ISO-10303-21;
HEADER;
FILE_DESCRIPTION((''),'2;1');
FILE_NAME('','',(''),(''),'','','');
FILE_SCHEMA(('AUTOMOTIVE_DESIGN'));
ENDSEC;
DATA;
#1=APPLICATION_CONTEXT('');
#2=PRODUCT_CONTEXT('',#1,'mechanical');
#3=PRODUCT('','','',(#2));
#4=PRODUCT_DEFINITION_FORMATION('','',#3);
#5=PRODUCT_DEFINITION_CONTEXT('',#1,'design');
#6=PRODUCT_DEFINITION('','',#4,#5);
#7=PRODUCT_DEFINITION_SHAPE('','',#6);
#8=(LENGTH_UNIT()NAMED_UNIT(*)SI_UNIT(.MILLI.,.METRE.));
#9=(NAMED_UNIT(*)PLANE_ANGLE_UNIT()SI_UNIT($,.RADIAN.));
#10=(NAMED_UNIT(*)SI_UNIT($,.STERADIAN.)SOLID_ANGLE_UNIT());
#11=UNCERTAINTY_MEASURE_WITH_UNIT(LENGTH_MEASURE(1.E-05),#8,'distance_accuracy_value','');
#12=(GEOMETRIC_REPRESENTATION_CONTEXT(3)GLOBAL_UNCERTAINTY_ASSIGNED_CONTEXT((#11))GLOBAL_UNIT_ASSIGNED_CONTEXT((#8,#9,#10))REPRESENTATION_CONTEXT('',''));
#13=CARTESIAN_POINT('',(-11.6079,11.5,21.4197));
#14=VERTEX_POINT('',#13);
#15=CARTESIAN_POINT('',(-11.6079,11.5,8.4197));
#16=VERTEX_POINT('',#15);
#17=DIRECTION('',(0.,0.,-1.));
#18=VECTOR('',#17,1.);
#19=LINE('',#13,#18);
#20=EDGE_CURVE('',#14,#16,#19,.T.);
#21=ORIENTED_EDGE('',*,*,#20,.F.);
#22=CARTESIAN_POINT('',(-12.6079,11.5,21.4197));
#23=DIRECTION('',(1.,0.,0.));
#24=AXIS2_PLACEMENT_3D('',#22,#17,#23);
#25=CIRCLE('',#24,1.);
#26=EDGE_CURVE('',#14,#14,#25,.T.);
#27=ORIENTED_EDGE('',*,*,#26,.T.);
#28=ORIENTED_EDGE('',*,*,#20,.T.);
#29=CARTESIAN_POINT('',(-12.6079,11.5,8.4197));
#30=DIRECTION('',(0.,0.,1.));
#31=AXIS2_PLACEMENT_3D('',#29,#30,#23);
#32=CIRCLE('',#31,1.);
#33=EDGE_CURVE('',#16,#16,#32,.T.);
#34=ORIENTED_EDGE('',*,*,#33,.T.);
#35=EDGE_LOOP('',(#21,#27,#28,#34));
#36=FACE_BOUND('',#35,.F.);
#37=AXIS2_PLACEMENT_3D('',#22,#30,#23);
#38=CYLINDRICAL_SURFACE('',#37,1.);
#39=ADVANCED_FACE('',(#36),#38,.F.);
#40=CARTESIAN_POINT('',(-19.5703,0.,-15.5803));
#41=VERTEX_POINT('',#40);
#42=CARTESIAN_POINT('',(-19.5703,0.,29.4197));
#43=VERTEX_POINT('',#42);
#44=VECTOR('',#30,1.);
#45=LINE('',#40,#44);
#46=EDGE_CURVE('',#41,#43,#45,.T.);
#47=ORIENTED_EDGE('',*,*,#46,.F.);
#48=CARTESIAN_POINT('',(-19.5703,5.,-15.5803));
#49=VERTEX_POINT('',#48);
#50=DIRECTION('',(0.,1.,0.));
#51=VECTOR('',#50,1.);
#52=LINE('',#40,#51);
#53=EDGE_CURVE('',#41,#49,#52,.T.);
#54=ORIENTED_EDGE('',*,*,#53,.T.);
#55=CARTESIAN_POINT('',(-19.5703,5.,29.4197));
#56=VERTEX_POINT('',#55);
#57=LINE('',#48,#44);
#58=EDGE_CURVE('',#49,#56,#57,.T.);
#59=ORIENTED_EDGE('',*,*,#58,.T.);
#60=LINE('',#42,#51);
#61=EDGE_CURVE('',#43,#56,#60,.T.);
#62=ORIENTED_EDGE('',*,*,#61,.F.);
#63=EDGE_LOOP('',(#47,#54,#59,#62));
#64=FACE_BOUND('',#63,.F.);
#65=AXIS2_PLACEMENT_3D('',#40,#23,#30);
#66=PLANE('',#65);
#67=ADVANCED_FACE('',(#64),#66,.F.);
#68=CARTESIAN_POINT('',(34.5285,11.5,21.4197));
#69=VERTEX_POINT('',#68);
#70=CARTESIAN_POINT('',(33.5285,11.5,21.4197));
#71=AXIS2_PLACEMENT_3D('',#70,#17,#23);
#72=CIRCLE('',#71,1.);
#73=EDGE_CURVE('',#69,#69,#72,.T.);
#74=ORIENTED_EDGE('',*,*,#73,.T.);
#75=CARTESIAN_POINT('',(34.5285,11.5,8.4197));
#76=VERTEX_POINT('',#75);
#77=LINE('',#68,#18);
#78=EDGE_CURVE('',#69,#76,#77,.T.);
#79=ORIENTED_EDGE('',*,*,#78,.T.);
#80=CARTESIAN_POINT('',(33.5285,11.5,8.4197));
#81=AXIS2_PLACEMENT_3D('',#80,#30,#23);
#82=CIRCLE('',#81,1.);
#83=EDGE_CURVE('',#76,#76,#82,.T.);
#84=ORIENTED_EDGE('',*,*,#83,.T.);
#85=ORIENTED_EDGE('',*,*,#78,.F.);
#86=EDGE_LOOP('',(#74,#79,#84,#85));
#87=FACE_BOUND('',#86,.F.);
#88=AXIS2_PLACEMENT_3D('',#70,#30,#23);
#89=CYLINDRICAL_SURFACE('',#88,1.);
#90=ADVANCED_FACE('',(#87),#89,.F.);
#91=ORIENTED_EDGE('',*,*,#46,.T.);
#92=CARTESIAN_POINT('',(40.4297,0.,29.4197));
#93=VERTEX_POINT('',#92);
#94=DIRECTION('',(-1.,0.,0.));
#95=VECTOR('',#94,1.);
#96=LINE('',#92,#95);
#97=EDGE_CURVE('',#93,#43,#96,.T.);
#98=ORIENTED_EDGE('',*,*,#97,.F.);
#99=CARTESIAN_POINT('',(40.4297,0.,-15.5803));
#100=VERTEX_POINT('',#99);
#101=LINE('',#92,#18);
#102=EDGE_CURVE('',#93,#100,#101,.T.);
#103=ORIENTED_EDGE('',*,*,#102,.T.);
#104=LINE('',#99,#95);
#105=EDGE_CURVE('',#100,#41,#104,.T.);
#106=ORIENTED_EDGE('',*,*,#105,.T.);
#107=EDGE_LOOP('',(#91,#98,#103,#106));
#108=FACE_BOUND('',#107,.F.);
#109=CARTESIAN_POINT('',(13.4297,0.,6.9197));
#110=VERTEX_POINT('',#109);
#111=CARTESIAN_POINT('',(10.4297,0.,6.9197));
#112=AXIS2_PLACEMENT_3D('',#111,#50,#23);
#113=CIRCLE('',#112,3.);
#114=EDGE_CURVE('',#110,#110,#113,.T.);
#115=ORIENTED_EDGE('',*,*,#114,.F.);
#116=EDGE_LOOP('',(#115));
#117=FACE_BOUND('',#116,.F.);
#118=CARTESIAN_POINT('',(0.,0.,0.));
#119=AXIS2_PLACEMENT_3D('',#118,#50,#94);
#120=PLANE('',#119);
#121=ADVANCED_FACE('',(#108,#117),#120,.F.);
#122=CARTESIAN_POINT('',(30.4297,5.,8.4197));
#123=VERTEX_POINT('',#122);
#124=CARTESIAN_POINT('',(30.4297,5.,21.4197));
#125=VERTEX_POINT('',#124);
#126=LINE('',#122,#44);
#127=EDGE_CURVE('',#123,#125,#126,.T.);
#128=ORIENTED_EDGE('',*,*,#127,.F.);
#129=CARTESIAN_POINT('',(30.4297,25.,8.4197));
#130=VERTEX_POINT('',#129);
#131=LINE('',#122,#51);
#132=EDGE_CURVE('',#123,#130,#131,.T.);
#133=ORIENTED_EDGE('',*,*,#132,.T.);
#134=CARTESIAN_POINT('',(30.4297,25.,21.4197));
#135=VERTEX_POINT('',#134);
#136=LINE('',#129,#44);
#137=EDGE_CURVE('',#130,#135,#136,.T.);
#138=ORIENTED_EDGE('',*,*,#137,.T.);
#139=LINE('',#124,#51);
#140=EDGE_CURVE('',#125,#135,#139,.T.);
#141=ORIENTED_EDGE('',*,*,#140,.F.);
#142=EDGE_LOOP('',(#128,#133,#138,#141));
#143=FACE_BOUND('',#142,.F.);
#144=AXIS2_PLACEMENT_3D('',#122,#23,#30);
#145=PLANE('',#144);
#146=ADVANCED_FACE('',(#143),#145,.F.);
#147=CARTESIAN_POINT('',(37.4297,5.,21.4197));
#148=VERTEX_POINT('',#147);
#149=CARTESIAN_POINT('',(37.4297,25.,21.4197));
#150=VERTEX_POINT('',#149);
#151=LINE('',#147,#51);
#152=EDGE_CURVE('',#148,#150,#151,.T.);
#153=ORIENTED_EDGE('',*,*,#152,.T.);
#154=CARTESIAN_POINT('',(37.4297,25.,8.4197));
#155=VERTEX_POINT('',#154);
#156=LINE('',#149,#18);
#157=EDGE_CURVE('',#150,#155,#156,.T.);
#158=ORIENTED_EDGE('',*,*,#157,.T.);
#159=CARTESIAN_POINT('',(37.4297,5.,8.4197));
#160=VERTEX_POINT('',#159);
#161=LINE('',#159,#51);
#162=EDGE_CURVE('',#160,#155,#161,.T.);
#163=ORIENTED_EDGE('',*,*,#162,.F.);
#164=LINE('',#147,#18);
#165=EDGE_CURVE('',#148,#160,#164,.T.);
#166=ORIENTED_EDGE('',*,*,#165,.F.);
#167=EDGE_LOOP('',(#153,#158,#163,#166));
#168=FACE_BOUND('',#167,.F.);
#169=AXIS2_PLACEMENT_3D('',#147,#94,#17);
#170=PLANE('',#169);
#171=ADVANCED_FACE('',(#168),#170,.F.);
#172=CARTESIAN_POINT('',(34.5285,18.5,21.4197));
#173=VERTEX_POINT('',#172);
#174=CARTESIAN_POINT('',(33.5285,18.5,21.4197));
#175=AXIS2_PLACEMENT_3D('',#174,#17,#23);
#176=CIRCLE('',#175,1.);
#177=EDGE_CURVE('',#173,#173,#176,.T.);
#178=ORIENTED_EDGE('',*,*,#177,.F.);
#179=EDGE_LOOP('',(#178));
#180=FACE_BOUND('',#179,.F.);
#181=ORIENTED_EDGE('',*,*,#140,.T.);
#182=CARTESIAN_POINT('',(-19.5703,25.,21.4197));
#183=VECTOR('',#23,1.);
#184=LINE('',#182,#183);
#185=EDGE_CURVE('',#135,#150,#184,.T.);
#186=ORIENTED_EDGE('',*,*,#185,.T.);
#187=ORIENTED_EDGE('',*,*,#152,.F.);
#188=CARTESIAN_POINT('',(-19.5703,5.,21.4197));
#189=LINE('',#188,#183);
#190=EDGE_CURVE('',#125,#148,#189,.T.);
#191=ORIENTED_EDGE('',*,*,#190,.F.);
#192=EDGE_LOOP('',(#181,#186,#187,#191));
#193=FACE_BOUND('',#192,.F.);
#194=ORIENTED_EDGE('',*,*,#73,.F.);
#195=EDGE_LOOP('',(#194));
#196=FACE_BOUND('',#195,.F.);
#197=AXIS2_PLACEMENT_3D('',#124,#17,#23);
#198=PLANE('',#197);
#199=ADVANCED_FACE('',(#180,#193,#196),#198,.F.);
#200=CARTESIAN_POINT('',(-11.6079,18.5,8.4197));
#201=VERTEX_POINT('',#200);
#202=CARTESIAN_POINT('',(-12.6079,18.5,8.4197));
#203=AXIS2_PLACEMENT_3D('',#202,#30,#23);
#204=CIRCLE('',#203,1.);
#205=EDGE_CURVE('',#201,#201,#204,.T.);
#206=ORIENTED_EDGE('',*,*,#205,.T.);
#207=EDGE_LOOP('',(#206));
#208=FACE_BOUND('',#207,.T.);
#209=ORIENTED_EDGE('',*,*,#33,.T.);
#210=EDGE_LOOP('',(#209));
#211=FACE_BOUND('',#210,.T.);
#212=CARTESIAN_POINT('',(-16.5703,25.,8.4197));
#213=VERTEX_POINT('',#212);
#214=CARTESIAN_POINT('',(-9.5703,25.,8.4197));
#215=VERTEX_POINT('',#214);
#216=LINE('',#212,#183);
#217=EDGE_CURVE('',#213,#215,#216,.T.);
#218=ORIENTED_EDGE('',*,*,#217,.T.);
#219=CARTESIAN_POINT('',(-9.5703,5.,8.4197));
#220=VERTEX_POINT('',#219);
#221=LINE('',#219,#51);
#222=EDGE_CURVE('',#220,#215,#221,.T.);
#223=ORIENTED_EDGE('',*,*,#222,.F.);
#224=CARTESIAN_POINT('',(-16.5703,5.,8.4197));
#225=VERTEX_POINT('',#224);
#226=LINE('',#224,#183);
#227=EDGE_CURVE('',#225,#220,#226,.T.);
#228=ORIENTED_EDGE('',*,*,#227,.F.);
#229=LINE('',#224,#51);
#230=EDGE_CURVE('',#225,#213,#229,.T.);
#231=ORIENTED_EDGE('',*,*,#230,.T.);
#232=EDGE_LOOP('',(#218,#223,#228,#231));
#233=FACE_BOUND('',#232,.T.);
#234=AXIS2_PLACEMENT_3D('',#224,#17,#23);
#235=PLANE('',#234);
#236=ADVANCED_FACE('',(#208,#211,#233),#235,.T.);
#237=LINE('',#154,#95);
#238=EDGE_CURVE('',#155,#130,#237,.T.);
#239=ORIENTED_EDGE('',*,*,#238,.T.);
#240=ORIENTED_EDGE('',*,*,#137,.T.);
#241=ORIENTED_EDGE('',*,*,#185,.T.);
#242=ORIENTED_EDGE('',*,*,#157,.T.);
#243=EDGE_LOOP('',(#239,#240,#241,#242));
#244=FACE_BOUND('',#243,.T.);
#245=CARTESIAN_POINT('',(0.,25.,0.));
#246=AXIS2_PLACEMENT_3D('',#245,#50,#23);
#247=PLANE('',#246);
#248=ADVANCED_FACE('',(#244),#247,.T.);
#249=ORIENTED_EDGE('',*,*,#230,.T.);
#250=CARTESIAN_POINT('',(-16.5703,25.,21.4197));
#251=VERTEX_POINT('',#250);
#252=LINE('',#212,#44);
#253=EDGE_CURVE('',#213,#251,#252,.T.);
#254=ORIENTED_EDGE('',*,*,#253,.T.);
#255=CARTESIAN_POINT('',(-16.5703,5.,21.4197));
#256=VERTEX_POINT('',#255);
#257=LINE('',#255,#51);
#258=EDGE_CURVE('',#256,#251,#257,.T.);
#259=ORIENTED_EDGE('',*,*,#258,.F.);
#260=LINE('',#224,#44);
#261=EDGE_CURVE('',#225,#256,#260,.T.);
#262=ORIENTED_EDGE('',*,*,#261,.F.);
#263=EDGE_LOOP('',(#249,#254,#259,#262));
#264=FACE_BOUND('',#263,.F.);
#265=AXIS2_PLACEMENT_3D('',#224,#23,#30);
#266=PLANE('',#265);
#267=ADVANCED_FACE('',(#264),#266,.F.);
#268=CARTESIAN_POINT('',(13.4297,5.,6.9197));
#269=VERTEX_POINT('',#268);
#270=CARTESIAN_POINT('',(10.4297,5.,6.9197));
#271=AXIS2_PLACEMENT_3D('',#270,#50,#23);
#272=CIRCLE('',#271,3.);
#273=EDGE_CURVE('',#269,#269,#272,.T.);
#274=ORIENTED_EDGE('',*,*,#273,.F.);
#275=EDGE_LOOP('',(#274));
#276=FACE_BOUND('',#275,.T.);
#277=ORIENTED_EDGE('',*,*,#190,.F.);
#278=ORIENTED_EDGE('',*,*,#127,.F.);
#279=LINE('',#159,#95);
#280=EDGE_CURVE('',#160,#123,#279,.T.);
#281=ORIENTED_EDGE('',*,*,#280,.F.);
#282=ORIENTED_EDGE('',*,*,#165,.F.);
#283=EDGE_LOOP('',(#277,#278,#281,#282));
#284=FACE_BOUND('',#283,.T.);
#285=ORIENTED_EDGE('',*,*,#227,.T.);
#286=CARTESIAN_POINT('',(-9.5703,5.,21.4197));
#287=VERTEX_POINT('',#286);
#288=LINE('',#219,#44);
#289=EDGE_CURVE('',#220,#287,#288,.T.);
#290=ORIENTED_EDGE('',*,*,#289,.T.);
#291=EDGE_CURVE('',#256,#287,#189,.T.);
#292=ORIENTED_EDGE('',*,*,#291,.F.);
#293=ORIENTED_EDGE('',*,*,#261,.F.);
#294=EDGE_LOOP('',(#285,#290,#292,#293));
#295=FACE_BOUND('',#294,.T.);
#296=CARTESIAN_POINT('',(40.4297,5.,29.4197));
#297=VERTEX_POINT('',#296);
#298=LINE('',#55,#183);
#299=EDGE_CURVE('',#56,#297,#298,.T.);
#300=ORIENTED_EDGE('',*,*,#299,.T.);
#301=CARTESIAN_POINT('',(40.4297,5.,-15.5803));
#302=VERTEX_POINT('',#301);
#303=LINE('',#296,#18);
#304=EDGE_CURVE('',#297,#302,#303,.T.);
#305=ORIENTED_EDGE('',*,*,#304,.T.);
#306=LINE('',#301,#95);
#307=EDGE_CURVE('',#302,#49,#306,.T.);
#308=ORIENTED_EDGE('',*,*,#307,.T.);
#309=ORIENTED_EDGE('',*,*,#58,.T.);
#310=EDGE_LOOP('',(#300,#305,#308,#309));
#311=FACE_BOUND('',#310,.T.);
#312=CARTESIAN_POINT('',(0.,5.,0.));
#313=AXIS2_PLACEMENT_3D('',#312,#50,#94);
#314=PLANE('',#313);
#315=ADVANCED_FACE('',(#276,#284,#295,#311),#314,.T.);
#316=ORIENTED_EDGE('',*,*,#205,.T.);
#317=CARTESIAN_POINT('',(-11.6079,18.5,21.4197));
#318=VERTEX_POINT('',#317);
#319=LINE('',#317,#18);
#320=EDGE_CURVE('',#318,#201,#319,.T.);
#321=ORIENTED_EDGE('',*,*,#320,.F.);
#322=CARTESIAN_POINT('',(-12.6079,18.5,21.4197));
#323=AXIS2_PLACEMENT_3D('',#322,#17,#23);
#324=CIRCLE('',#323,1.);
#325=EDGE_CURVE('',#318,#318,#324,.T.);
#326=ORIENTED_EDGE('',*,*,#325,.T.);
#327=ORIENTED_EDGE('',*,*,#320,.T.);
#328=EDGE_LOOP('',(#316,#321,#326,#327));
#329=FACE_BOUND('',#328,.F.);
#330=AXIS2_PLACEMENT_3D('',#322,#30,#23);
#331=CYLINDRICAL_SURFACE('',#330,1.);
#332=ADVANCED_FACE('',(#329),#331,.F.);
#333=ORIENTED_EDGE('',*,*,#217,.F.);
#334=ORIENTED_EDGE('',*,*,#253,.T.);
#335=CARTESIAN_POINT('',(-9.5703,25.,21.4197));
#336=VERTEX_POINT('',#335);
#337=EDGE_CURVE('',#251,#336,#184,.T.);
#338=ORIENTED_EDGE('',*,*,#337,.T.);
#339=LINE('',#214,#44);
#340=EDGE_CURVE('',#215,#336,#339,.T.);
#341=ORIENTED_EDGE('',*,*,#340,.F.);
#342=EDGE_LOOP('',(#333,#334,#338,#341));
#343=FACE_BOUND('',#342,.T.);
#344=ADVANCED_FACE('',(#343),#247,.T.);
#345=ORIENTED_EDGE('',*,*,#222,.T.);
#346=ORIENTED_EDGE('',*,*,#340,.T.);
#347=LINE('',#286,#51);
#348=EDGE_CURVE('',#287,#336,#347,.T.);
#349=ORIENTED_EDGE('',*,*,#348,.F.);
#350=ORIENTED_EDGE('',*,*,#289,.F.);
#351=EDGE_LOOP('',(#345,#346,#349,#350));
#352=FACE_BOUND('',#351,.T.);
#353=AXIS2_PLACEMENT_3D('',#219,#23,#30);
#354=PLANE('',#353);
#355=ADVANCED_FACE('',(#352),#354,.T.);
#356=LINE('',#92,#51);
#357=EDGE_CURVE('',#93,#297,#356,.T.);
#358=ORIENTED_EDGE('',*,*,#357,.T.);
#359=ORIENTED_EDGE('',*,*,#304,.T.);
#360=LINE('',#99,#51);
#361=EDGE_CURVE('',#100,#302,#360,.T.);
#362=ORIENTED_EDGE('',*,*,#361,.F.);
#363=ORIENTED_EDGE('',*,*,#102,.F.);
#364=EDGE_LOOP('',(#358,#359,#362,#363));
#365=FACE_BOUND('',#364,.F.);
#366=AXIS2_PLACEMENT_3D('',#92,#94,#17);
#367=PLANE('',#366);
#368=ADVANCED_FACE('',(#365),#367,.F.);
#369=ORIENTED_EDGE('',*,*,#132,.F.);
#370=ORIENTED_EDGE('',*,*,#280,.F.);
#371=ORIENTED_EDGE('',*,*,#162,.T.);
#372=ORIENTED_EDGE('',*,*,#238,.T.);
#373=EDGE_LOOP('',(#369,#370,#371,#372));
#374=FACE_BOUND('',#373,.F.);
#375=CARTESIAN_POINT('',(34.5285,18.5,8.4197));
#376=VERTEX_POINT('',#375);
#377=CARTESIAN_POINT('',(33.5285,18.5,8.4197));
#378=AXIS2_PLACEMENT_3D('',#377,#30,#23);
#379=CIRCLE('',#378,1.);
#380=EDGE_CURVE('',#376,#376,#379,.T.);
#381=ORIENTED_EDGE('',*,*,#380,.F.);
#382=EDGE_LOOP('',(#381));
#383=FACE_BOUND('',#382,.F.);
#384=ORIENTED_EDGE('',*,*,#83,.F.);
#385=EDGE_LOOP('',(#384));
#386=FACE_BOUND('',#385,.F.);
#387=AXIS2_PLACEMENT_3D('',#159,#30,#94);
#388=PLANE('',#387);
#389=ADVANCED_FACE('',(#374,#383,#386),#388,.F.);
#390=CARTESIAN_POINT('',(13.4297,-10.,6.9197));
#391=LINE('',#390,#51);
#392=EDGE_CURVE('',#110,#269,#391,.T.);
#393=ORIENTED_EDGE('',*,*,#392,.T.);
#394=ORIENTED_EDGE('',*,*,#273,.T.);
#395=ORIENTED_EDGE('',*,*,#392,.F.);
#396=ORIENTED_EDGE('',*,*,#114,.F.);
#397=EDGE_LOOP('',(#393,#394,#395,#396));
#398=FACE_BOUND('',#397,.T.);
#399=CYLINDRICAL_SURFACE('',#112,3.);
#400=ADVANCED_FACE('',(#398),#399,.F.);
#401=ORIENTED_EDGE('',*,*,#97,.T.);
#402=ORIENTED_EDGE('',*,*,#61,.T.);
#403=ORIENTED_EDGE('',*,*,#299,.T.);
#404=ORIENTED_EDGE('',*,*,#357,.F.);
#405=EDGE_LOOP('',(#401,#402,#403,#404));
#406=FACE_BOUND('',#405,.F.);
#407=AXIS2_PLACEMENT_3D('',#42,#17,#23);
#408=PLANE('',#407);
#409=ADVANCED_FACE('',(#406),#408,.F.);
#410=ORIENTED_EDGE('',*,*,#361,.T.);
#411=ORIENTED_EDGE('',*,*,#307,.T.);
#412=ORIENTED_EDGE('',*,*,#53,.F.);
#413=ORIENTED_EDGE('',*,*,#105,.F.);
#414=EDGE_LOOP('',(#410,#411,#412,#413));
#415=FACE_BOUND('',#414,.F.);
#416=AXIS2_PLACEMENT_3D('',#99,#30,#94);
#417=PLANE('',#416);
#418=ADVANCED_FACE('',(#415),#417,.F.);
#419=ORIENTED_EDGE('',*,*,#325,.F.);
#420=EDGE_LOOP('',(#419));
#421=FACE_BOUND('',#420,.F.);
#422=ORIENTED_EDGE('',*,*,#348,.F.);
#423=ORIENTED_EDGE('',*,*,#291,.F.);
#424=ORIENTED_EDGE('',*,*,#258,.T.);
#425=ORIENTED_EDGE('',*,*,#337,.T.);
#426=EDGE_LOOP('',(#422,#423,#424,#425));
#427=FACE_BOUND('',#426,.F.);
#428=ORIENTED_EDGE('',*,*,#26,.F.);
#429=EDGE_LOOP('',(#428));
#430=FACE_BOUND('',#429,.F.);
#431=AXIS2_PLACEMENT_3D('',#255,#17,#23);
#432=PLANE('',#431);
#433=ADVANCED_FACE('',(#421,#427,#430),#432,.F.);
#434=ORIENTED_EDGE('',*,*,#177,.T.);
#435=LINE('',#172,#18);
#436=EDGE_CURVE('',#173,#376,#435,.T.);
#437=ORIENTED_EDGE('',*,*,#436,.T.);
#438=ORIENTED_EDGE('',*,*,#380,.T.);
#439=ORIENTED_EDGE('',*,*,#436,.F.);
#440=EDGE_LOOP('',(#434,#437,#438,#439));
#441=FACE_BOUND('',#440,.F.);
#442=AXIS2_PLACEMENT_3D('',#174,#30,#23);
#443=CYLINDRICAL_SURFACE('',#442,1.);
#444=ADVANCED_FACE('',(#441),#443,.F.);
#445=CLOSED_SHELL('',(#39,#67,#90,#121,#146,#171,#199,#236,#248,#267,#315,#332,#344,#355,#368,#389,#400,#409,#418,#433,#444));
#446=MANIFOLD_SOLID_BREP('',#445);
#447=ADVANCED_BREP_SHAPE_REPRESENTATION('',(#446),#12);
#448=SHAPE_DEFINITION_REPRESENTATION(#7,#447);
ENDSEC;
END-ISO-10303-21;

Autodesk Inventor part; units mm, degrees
ref_plane "YZ Plane" through (0, 0, 0) normal (1, 0, 0) x (0, 1, 0)
ref_plane "XZ Plane" through (0, 0, 0) normal (0, 1, 0) x (-1, 0, 0)
ref_plane "XY Plane" through (0, 0, 0) normal (0, 0, 1) x (1, 0, 0)
sketch "Sketch1" plane through (0, 0, 0) normal (0, 1, 0) x (-1, 0, 0)
  line L0 (19.5703, 29.4197) -> (-40.4297, 29.4197)
  line L1 (-40.4297, 29.4197) -> (-40.4297, -15.5803)
  line L2 (-40.4297, -15.5803) -> (19.5703, -15.5803)
  line L3 (19.5703, -15.5803) -> (19.5703, 29.4197)
  point P0 (0, 0)
  dimension "d2" = 60
  dimension "d3" = 45
extrude "Extrusion1" add sketch "Sketch1" along normal blind 5
sketch "Sketch2" plane through (0, 5, 0) normal (0, 1, 0) x (1, 0, 0)
  line L0 (-19.5703, 15.5803) -> (-19.5703, -29.4197) projected
  line L1 (40.4297, -29.4197) -> (40.4297, 15.5803) projected
  line L2 (-19.5703, -29.4197) -> (40.4297, -29.4197) projected
  line L3 (40.4297, 15.5803) -> (-19.5703, 15.5803) projected
  circle A0 centre (10.4297, -6.9197) radius 3
  point P0 (0, 0)
  point P1 (13.4635, -6.9197)
extrude "Extrusion2" cut sketch "Sketch2" against normal up to next contours A0
sketch "Sketch3" plane through (0, 0, 0) normal (0, -1, 0) x (1, 0, 0)
  circle A0 centre (10.4297, 6.9197) radius 3 projected
  circle A1 centre (10.4297, 6.9197) radius 5
  point P0 (0, 0)
  dimension "d9" = 10
extrude "Extrusion3" add sketch "Sketch3" along normal blind 10
sketch "Sketch6" plane through (0, 5, 0) normal (0, 1, 0) x (1, 0, 0)
  line L0 (-19.5703, -29.4197) -> (40.4297, -29.4197) projected
  line L1 (-19.5703, -29.4197) -> (-19.5703, -21.4197)
  line L2 (-19.5703, 15.5803) -> (-19.5703, -29.4197) projected
  line L3 (-19.5703, -21.4197) -> (40.4297, -21.4197)
  line L4 (40.4297, -29.4197) -> (40.4297, 15.5803) projected
  line L5 (10.4297, -29.4197) -> (10.4297, 15.5803)
  line L6 (40.4297, 15.5803) -> (-19.5703, 15.5803) projected
  line L7 (10.4297, -21.4197) -> (37.4297, -21.4197)
  line L8 (10.4297, -21.4197) -> (-16.5703, -21.4197)
  line L9 (-16.5703, -8.4197) -> (-9.5703, -8.4197)
  line L10 (37.4297, -21.4197) -> (37.4297, -8.4197)
  line L11 (37.4297, -8.4197) -> (30.4297, -8.4197)
  line L12 (30.4297, -8.4197) -> (30.4297, -21.4197)
  line L13 (-9.5703, -8.4197) -> (-9.5703, -21.4197)
  line L14 (-16.5703, -8.4197) -> (-16.5703, -21.4197)
  point P0 (0, 0)
  dimension "d22" = 8
  dimension "d23" = 27
  dimension "d24" = 27
  dimension "d25" = 13
  dimension "d26" = 7
  dimension "d27" = 13
  dimension "d28" = 7
extrude "Extrusion5" add sketch "Sketch6" along normal blind 20 contours L14 L9 L13 L3 | L12 L11 L10 L3
sketch "Sketch7" plane through (-16.5703, 5, 21.4197) normal (0, 0, 1) x (1, 0, 0)
  line L0 (7, 0) -> (7, 20) projected
  line L1 (7, 10) -> (5, 10)
  line L2 (5, 10) -> (5, 20)
  line L3 (5, 10) -> (5, 0)
  line L4 (7, 0) -> (0, 0) projected
  line L5 (0, 0) -> (5, 0)
  line L6 (2.5, 0) -> (2.5, 20)
  line L7 (47, 0) -> (47, 20) projected
  line L8 (47, 10) -> (49, 10)
  line L9 (49, 10) -> (49, 20)
  line L10 (49, 10) -> (49, 0)
  line L11 (49, 0) -> (53.9219, 0)
  line L12 (51.4609, 0) -> (51.4609, 20)
  point P0 (16.5703, -5)
  dimension "d31" = 2
  dimension "d32" = 2
sketch "Sketch8" plane through (30.4297, 5, 21.4197) normal (0, 0, 1) x (1, 0, 0)
  line L0 (2.0988, 10) -> (3.0988, 10)
  line L1 (7, 0) -> (7, 20) projected
  line L2 (3.0988, 12.5) -> (3.0988, 13.5)
  line L3 (0, 0) -> (0, 20) projected
  circle A0 centre (3.0988, 13.5) radius 1
  line L4 (3.0988, 7.5) -> (3.0988, 6.5)
  circle A1 centre (3.0988, 6.5) radius 1
  line L5 (-42.0376, 10) -> (-43.0376, 10)
  line L6 (-43.0376, 12.5) -> (-43.0376, 13.5)
  line L7 (-43.0376, 7.5) -> (-43.0376, 6.5)
  circle A2 centre (-43.0376, 13.5) radius 1
  circle A3 centre (-43.0376, 6.5) radius 1
  point P0 (-30.4297, -5)
extrude "Extrusion6" cut sketch "Sketch8" against normal blind 14
thread "Thread1" size "M2x0.4" class "6H" standard "ANSI Metric M Profile" full length
thread "Thread2" size "M2x0.4" class "6H" standard "ANSI Metric M Profile" full length
thread "Thread3" size "M2x0.4" class "6H" standard "ANSI Metric M Profile" full length
thread "Thread4" size "M2x0.4" class "6H" standard "ANSI Metric M Profile" full length
sketch "Sketch9" plane through (-19.5703, 0, 29.4197) normal (0, 0, 1) x (1, 0, 0)
  line L0 (35, 0) -> (25, 0) projected
  line L1 (25, -10) -> (35, -10) projected
  line L2 (25, 0) -> (25, -10)
  line L3 (25, -10) -> (35, -10)
  line L4 (35, -10) -> (35, 0)
  line L5 (35, 0) -> (35, -10) projected
  point P0 (19.5703, 0)
extrude "Extrusion7" cut sketch "Sketch9" against normal blind 40
